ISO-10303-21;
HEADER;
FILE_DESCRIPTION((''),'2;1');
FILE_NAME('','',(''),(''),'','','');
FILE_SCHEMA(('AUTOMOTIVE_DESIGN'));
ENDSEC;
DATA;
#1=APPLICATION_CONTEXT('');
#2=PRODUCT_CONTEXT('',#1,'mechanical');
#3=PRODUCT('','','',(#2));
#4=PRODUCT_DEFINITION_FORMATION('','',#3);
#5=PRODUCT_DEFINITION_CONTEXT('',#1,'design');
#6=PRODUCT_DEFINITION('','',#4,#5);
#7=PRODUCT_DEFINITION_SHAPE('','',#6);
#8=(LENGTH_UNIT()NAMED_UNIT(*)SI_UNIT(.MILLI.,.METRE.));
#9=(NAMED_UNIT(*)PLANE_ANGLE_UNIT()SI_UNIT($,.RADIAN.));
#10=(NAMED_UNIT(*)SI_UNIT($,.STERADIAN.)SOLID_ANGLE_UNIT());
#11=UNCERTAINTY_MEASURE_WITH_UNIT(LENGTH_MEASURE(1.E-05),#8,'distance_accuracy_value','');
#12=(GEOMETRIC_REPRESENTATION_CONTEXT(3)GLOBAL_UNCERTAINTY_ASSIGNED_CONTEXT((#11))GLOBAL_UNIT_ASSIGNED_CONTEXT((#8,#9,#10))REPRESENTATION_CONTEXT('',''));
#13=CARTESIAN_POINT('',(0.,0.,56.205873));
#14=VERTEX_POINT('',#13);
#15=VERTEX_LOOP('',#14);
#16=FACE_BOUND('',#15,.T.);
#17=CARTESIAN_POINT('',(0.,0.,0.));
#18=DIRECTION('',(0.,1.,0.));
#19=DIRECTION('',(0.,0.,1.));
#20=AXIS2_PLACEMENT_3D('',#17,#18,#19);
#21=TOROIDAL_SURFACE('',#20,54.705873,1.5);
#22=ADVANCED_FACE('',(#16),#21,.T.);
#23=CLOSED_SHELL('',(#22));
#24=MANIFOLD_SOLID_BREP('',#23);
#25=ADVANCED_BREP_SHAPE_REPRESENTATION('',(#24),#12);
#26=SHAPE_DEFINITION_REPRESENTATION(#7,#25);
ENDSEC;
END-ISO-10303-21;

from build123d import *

# Parameters (mm, degrees)
SKETCH_1_R = 1.5


with BuildPart() as part:
    # Эскиз1 → Повернуть1 (revolve)
    with BuildSketch(Plane.XY, mode=Mode.PRIVATE) as revolve_1_sk:
        with Locations((54.70587299, 0)):
            Circle(SKETCH_1_R)
    revolve(revolve_1_sk.sketch.rotate(Axis((0, 8.136418944, 0), (0, -1, 0)), 90), axis=Axis((0, 8.136418944, 0), (0, -1, 0)))


solid = part.part
